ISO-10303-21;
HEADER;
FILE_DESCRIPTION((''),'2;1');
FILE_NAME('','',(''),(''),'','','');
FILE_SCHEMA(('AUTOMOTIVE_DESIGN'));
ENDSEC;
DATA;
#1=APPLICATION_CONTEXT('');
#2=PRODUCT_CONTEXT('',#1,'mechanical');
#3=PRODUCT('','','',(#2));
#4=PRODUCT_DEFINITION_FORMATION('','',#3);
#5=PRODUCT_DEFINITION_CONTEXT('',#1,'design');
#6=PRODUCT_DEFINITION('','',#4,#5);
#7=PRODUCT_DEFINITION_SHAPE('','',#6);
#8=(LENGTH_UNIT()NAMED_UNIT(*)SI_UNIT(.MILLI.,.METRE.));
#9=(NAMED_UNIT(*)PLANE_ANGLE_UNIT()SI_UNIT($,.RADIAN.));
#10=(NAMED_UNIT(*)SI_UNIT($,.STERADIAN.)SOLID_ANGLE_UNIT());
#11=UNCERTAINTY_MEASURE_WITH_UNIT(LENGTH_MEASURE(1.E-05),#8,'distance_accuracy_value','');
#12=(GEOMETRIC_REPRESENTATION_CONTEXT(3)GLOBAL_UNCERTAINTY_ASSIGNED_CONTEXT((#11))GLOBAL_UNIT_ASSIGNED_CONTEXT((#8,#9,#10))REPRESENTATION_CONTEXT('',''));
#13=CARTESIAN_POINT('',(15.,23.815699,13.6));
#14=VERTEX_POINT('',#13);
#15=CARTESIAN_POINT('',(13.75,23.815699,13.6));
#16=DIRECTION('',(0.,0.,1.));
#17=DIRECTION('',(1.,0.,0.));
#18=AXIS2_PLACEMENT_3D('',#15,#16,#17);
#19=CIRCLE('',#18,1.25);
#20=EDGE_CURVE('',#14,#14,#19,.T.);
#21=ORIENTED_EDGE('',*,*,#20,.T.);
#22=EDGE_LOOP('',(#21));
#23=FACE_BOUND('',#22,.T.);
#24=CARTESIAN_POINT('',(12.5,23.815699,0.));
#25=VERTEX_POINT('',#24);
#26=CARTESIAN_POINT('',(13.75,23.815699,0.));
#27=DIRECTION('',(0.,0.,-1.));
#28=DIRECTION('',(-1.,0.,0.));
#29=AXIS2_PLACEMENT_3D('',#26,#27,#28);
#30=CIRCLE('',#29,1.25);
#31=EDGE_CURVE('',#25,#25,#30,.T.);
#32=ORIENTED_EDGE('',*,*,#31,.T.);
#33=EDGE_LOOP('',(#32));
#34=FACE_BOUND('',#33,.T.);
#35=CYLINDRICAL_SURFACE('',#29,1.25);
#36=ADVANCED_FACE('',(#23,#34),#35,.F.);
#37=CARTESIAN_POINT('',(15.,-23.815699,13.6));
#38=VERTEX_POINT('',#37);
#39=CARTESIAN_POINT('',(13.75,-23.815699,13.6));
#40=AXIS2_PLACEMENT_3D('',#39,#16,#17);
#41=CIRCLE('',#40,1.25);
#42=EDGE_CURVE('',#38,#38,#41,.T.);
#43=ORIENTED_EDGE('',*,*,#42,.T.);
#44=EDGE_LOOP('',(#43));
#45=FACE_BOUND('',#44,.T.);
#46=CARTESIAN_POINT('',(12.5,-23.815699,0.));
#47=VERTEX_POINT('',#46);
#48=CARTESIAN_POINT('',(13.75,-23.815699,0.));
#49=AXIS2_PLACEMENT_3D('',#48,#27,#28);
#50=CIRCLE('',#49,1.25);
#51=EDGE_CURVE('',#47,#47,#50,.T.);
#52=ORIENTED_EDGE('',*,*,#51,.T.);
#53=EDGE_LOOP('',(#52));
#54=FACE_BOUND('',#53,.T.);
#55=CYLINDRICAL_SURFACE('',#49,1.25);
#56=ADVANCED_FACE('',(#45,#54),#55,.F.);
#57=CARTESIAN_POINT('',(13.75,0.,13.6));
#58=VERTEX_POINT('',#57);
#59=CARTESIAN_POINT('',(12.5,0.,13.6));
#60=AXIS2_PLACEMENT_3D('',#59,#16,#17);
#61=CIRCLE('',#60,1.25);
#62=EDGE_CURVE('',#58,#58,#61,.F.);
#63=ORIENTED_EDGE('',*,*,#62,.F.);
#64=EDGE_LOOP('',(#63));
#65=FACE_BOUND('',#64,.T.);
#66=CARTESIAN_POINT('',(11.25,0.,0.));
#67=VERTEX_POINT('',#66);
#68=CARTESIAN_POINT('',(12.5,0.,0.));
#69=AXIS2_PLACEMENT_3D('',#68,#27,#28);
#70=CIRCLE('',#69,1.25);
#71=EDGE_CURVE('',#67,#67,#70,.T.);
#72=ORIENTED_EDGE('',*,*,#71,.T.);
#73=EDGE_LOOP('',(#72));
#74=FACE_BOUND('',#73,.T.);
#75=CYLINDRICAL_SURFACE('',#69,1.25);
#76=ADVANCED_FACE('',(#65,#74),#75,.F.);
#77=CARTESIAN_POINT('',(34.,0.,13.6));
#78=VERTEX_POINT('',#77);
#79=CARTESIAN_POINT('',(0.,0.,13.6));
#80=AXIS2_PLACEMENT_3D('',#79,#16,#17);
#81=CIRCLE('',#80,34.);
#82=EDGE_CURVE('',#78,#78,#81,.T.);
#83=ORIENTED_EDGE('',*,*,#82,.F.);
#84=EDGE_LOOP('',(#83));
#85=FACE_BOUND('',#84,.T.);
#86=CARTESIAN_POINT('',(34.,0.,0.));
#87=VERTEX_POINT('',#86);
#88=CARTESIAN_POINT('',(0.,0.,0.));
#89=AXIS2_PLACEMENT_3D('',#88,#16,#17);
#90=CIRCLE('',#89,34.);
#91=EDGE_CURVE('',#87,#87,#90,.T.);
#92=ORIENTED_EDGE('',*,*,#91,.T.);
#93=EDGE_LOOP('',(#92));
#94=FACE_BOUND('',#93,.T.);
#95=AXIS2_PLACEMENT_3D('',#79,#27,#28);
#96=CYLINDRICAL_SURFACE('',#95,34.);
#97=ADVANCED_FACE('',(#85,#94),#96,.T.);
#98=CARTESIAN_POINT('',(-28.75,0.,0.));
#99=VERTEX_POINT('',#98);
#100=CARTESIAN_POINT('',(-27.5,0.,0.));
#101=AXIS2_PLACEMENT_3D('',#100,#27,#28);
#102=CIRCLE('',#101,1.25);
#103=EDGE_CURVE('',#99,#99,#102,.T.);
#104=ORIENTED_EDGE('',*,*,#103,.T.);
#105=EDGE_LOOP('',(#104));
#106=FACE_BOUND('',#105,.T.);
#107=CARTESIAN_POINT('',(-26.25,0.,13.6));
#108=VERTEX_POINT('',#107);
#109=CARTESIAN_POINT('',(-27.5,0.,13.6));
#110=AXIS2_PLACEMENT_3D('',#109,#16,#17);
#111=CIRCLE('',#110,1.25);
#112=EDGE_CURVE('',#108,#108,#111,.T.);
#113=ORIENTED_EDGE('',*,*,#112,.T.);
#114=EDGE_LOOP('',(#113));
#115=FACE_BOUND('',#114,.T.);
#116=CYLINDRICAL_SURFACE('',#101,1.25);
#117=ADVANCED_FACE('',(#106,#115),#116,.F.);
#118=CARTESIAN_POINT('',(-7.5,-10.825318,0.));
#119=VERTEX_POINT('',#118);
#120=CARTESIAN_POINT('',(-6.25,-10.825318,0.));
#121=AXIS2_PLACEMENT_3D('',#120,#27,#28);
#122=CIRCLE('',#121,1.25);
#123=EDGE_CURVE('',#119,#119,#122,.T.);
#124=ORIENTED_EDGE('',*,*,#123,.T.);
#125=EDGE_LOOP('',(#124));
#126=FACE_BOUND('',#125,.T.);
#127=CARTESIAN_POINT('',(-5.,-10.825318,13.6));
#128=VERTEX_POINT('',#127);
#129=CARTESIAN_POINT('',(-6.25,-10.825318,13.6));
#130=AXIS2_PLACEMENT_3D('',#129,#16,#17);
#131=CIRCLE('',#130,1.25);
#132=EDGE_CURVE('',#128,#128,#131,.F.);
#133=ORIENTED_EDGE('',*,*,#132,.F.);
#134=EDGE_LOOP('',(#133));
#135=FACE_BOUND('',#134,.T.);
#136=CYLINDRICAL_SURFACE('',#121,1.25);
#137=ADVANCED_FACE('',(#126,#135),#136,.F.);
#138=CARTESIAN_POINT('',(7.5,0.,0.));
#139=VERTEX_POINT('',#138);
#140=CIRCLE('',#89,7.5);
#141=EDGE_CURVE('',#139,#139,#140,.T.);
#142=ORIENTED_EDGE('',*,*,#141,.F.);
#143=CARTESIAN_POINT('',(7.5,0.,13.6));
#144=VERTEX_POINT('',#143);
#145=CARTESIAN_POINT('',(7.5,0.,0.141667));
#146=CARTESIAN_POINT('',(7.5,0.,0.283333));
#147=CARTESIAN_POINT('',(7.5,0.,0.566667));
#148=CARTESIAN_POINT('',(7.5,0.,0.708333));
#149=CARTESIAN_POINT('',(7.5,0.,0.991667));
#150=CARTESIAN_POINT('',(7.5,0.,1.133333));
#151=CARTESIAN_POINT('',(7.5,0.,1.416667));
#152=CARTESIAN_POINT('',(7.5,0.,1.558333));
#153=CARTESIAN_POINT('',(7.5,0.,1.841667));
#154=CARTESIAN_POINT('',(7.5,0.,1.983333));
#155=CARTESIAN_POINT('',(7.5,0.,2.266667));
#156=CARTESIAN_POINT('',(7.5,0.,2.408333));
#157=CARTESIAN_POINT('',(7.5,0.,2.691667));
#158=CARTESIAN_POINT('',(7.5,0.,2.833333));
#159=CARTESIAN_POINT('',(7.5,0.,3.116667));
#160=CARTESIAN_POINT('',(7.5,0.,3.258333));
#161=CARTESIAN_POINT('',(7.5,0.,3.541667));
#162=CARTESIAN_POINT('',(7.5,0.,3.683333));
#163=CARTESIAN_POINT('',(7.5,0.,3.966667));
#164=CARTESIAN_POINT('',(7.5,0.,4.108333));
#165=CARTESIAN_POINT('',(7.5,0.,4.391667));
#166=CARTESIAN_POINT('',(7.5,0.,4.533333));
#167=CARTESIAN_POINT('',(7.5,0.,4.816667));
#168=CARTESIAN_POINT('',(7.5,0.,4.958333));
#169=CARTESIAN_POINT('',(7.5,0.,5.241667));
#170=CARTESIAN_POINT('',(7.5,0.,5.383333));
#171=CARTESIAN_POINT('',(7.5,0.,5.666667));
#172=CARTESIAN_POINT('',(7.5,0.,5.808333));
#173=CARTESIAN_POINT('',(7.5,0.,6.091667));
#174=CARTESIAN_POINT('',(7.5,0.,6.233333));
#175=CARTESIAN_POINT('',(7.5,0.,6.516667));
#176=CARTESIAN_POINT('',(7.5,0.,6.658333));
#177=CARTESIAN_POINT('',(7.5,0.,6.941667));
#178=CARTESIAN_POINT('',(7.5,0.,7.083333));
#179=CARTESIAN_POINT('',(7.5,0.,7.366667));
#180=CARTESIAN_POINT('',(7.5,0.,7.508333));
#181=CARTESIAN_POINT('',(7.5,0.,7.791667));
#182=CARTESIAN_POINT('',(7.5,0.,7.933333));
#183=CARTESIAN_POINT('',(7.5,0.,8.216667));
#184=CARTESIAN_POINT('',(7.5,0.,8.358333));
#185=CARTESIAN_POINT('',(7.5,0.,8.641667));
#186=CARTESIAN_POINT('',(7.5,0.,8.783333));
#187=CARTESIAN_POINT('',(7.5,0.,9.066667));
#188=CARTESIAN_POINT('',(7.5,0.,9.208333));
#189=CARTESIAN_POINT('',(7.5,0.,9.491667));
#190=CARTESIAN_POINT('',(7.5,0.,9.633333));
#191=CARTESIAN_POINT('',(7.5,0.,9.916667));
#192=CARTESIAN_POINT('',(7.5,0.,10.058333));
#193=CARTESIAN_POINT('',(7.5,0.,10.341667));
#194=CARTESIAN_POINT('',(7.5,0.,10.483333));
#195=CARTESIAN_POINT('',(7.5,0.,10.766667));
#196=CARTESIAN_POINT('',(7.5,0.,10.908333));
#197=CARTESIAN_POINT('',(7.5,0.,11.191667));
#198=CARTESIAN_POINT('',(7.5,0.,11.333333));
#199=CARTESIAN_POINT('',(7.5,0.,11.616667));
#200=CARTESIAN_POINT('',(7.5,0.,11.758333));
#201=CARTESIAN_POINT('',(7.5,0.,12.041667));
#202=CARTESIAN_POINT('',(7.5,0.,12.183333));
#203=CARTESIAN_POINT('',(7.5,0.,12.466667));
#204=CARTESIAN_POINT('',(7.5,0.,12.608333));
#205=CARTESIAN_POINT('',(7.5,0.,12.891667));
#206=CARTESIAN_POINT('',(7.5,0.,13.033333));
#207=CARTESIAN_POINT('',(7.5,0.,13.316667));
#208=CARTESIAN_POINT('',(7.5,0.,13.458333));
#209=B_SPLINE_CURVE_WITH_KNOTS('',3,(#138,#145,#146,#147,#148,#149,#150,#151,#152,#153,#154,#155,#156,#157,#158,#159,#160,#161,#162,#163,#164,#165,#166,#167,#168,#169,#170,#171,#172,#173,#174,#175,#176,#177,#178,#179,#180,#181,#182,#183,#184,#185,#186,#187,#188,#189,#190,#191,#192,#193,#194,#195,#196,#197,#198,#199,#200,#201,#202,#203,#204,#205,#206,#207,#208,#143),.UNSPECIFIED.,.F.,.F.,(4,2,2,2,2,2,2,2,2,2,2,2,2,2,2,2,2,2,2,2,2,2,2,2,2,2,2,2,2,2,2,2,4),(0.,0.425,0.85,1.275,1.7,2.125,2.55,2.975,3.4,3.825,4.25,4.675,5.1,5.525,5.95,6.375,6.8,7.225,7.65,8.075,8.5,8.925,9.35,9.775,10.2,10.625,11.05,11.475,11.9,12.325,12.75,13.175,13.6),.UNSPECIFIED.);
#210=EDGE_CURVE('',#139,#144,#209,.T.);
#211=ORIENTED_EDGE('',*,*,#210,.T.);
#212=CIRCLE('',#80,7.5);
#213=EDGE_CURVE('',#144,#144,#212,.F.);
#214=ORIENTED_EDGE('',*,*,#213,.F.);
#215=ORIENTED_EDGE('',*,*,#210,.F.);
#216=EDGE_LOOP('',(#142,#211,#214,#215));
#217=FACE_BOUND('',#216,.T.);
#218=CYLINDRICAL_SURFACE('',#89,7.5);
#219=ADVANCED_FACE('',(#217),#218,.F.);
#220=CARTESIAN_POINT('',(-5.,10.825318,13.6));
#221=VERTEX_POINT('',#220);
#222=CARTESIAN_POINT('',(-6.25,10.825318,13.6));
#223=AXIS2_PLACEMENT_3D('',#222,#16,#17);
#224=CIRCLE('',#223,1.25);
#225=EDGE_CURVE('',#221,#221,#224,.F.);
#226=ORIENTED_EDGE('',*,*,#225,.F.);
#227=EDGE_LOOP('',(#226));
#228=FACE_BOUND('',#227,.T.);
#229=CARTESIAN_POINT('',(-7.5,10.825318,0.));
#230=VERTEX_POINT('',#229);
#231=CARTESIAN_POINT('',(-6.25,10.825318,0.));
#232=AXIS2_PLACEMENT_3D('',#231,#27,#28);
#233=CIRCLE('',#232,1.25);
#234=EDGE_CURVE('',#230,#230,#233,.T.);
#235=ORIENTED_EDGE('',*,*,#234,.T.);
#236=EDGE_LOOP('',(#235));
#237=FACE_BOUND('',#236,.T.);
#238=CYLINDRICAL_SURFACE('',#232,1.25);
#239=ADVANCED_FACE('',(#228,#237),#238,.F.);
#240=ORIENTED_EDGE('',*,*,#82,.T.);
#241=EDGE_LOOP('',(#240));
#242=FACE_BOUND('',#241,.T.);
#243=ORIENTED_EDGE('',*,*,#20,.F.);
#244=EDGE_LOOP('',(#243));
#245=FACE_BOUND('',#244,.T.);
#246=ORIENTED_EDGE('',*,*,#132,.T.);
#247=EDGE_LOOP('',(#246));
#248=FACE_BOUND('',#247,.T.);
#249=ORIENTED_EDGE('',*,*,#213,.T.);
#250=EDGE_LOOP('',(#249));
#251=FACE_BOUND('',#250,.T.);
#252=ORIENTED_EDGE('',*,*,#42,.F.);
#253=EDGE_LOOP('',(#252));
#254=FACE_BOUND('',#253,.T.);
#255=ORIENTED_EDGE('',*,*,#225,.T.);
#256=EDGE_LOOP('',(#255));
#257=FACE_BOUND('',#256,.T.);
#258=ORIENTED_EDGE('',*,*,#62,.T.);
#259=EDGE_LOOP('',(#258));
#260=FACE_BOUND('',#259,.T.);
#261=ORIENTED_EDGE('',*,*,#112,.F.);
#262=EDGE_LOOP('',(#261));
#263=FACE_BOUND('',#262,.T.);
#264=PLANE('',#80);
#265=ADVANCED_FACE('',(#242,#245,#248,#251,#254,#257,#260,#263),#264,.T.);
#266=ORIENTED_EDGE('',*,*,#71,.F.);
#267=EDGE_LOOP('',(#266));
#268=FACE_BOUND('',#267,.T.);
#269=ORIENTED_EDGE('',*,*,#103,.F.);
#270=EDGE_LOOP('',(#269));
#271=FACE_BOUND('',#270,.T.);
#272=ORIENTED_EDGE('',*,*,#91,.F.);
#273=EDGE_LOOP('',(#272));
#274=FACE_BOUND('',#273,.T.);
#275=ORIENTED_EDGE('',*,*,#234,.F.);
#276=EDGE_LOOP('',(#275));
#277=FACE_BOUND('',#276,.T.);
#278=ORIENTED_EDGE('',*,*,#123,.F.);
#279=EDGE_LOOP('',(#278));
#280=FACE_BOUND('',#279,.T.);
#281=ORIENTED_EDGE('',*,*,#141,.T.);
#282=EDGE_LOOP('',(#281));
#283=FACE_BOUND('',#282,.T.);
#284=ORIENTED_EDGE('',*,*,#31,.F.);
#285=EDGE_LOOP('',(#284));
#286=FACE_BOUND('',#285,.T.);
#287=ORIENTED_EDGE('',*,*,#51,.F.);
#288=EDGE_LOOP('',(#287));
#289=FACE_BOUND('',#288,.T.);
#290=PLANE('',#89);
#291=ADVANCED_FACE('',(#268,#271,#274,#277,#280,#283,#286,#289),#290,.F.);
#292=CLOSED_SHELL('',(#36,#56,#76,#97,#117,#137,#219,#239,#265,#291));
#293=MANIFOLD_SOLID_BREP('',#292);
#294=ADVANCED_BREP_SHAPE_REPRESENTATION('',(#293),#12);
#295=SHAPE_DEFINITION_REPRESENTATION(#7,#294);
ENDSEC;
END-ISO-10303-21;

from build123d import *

# Parameters (mm, degrees)
SKETCH_1_R          = 34
EXTRUDE_1_DEPTH     = 13.6
SKETCH_2_R          = 16.5
EXTRUDE_2_DEPTH     = 8.9
FILLET_1_R          = 1
SKETCH_3_R          = 4
CUT_EXTRUDE_1_DEPTH = 54.087192429
SKETCH_4_R          = 7.5
CUT_EXTRUDE_2_DEPTH = 54.087192429
M3X0_52_D           = 2.5
M3X0_53_D           = 2.5
SKETCH_15_R         = 20.204336051
CUT_EXTRUDE_3_DEPTH = 8.9


with BuildPart() as part:
    # Эскиз1 → Бобышка-Вытянуть1 (new body)
    with BuildSketch(Plane.XY):
        Circle(SKETCH_1_R)
    extrude(amount=EXTRUDE_1_DEPTH)

    # Эскиз2 → Бобышка-Вытянуть2 (add)
    with BuildSketch(Plane.XY.offset(13.6)):
        Circle(SKETCH_2_R)
    extrude(amount=EXTRUDE_2_DEPTH)

    # Скругление1
    fillet_1_edges = [part.edges().sort_by_distance(p)[0] for p in [
        (-16.5, 0, 22.5),
    ]]
    fillet(fillet_1_edges, radius=FILLET_1_R)

    # Эскиз3 → Вырез-Вытянуть1 (cut, through all)
    with BuildSketch(Plane(origin=(0, 0, 0), x_dir=(-1, 0, 0), z_dir=(0, 0, -1))):
        Circle(SKETCH_3_R)
    extrude(amount=-CUT_EXTRUDE_1_DEPTH, mode=Mode.SUBTRACT)

    # Эскиз4 → Вырез-Вытянуть2 (cut, through all)
    with BuildSketch(Plane.XY.offset(22.5)):
        Circle(SKETCH_4_R)
    extrude(amount=-CUT_EXTRUDE_2_DEPTH, mode=Mode.SUBTRACT)

    # Отверстие обработанное метчиком M3x0.52 (through all)
    with Locations(Plane(origin=(5.176865527, -11.054831177, 0), x_dir=(1, 0, 0), z_dir=(0, 0, -1))):
        with Locations((-11.426865527, -21.880148725), (-11.426865527, -0.22951363), (7.323134473, -11.054831177)):
            Hole(M3X0_52_D / 2)

    # Отверстие обработанное метчиком M3x0.53 (through all)
    with Locations(Plane(origin=(7.745995854, 28.191062488, 0), x_dir=(1, 0, 0), z_dir=(0, 0, -1))):
        with Locations((6.004004146, 4.375363884), (-35.245995854, 28.191062488), (6.004004146, 52.006761092)):
            Hole(M3X0_53_D / 2)

    # Эскиз15 → Вырез-Вытянуть3 (cut)
    with BuildSketch(Plane.XY.offset(22.5)):
        Circle(SKETCH_15_R)
    extrude(amount=-CUT_EXTRUDE_3_DEPTH, mode=Mode.SUBTRACT)


solid = part.part
